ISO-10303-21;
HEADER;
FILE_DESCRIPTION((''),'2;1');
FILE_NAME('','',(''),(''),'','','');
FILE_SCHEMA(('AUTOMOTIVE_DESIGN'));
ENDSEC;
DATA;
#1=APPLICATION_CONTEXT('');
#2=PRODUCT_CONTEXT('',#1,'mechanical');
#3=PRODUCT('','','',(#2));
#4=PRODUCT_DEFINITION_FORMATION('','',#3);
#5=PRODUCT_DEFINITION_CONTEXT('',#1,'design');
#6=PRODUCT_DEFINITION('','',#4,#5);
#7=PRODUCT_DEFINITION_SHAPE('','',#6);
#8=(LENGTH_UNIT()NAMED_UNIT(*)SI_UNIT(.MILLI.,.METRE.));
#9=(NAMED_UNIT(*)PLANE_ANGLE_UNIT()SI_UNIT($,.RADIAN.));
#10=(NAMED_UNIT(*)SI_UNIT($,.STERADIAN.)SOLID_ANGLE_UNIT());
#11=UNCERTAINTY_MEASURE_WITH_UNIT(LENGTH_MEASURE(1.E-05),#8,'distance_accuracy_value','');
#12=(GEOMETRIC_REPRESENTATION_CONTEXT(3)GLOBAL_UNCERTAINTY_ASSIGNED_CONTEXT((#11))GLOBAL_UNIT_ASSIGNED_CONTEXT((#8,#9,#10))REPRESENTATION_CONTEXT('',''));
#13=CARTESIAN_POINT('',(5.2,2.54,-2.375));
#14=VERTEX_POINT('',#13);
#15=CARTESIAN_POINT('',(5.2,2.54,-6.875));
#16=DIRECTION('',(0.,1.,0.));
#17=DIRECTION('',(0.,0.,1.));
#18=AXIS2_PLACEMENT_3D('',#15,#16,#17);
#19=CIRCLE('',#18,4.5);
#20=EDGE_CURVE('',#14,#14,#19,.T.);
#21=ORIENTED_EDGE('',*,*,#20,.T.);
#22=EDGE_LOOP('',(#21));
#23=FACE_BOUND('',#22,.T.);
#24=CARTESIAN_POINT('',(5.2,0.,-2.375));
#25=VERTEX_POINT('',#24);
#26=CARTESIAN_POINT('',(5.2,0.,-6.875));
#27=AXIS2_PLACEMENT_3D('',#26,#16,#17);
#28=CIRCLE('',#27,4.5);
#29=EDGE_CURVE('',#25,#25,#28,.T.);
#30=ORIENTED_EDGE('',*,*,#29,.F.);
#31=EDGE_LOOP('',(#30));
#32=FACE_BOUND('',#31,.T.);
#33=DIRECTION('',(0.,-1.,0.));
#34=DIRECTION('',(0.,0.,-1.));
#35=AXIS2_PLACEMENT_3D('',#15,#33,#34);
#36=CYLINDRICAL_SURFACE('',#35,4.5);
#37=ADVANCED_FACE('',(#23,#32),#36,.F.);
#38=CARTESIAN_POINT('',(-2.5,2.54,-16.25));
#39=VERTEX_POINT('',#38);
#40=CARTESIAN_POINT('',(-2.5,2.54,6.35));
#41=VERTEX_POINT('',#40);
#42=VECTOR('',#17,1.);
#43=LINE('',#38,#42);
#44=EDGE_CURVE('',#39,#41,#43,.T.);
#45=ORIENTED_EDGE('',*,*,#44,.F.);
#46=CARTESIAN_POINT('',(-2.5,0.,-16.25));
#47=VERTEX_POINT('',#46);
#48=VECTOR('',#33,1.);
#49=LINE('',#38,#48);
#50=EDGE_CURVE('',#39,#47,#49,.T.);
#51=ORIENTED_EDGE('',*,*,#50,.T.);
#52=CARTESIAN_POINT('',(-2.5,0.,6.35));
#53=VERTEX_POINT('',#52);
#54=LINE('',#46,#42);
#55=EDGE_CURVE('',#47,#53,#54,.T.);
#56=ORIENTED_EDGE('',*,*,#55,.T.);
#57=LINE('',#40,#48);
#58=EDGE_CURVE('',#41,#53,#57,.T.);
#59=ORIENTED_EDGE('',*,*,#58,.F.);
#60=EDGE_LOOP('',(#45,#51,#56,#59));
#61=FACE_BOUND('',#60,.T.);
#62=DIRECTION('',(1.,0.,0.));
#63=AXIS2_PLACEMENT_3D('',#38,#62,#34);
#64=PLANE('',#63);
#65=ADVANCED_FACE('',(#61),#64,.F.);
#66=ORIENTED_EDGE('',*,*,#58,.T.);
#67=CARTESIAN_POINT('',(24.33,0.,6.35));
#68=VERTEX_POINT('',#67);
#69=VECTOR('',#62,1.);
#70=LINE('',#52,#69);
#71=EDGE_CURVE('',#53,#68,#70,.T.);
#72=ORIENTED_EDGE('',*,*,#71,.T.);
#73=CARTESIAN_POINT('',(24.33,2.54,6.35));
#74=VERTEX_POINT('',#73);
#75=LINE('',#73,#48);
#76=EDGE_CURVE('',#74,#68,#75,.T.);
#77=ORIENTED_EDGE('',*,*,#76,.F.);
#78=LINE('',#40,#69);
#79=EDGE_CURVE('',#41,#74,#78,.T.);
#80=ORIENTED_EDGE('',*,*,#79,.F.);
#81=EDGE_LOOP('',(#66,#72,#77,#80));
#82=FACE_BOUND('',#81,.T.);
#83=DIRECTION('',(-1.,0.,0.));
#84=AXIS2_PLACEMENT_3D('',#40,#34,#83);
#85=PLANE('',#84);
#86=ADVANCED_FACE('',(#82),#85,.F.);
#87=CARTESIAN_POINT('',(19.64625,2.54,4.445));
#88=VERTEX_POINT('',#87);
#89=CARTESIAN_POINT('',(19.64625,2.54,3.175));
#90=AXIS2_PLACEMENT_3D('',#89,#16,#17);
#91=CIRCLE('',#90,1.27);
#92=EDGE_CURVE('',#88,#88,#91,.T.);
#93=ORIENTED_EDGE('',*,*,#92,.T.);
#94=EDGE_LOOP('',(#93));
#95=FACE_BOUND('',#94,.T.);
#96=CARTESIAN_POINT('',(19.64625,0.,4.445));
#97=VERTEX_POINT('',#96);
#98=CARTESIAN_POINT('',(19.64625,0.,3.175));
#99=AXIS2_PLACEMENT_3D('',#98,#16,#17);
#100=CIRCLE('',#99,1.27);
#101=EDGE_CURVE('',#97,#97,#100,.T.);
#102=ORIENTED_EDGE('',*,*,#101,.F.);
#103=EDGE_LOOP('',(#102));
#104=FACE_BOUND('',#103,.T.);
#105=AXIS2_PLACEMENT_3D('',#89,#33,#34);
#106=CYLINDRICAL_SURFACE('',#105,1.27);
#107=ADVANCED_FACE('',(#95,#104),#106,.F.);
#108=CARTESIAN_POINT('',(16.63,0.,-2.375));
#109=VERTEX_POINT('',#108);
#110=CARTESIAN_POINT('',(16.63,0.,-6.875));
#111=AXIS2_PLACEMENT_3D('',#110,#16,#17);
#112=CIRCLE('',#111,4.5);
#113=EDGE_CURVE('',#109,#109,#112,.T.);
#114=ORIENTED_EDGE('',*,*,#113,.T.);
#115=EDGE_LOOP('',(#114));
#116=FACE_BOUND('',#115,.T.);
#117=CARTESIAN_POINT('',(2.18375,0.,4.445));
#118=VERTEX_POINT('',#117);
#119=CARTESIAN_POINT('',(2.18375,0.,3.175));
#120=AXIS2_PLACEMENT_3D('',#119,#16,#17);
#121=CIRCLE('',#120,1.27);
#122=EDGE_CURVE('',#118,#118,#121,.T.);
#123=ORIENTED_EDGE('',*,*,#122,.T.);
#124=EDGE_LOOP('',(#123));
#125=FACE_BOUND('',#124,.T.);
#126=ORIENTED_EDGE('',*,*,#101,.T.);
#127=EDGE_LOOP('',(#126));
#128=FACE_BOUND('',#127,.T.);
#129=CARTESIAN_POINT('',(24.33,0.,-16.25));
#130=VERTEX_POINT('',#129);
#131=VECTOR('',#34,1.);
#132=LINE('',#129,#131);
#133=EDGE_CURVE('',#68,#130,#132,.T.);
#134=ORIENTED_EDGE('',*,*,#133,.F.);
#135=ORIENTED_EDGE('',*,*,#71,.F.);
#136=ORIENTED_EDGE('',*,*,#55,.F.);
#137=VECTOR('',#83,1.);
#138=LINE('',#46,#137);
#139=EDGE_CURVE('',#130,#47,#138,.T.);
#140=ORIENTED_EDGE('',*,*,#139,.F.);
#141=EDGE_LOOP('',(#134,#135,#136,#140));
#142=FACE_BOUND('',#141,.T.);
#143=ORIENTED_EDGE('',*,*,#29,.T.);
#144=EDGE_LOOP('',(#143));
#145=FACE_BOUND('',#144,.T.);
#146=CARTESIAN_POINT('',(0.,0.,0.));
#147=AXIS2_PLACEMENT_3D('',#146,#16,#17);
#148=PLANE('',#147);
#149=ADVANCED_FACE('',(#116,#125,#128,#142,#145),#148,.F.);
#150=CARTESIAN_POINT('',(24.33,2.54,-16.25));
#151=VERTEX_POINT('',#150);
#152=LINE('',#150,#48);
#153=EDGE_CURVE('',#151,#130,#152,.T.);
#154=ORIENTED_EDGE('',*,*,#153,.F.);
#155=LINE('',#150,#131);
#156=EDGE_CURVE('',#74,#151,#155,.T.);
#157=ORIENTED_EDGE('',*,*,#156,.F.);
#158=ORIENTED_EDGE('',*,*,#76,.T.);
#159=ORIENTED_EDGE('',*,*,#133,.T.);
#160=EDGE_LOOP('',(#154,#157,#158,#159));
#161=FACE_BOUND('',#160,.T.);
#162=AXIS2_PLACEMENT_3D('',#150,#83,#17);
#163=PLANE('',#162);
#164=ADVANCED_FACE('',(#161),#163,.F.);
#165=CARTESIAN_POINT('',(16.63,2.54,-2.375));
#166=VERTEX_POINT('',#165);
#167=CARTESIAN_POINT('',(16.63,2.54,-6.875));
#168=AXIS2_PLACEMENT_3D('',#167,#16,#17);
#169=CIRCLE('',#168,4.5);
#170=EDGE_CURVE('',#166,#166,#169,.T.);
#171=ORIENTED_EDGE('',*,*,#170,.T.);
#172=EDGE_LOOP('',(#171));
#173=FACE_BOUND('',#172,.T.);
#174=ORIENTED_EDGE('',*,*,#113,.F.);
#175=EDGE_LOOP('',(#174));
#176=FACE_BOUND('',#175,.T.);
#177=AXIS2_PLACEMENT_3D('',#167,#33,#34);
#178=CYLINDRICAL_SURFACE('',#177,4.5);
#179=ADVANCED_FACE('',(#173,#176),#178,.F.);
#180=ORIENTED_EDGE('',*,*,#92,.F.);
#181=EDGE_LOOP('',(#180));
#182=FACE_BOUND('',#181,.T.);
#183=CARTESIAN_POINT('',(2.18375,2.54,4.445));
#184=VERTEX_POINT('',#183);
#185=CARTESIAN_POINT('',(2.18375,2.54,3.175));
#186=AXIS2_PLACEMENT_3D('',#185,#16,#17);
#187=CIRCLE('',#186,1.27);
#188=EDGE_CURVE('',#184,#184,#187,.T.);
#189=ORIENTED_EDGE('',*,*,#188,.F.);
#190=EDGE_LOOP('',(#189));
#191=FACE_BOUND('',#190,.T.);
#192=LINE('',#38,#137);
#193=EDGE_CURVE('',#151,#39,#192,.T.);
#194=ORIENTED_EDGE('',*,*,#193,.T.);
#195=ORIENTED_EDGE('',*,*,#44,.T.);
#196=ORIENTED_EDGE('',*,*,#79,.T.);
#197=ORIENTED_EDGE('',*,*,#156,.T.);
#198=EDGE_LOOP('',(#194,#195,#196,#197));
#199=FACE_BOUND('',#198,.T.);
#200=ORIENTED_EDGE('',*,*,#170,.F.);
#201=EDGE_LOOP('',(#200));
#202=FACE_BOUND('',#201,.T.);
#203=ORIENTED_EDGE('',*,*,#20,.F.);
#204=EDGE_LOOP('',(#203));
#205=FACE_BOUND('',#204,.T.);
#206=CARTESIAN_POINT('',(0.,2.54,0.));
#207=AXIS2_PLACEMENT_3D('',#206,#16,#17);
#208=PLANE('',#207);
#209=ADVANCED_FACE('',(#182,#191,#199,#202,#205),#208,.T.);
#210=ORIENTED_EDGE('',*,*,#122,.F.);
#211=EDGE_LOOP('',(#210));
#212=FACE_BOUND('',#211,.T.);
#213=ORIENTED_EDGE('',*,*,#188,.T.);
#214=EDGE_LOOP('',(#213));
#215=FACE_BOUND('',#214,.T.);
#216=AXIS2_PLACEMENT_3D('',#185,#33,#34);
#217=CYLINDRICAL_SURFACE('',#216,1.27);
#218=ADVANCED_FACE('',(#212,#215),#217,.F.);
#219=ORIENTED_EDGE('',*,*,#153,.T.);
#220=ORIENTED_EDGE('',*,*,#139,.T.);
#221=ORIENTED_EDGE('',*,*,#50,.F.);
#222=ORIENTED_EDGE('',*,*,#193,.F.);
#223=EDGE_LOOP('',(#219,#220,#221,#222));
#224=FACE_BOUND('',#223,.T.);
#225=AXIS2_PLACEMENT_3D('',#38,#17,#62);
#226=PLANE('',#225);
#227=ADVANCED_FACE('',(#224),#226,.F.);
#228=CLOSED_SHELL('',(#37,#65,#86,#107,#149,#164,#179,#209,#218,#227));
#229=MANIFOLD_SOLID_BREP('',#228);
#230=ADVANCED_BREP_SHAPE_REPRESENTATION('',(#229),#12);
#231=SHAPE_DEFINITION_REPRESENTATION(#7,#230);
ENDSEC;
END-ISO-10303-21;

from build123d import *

# Parameters (mm, degrees)
SKETCH1_W           = 26.83
SKETCH1_H           = 22.6
SKETCH1_R           = 4.5
SKETCH1_R_2         = 1.27
BOSS_EXTRUDE1_DEPTH = 2.54


with BuildPart() as part:
    # Sketch1 → Boss-Extrude1 (new body)
    with BuildSketch(Plane(origin=(0, 0, 0), x_dir=(1, 0, 0), z_dir=(0, 1, 0))):
        with Locations((10.915, 4.95)):
            Rectangle(SKETCH1_W, SKETCH1_H)
        with Locations(Location((5.2, 6.875, 0), (0, 0, 270))):
            Circle(SKETCH1_R, mode=Mode.SUBTRACT)
        with Locations(Location((16.63, 6.875, 0), (0, 0, 270))):
            Circle(SKETCH1_R, mode=Mode.SUBTRACT)
        with Locations(Location((2.18375, -3.175, 0), (0, 0, 270))):
            Circle(SKETCH1_R_2, mode=Mode.SUBTRACT)
        with Locations(Location((19.64625, -3.175, 0), (0, 0, 270))):
            Circle(SKETCH1_R_2, mode=Mode.SUBTRACT)
    extrude(amount=BOSS_EXTRUDE1_DEPTH)


solid = part.part
